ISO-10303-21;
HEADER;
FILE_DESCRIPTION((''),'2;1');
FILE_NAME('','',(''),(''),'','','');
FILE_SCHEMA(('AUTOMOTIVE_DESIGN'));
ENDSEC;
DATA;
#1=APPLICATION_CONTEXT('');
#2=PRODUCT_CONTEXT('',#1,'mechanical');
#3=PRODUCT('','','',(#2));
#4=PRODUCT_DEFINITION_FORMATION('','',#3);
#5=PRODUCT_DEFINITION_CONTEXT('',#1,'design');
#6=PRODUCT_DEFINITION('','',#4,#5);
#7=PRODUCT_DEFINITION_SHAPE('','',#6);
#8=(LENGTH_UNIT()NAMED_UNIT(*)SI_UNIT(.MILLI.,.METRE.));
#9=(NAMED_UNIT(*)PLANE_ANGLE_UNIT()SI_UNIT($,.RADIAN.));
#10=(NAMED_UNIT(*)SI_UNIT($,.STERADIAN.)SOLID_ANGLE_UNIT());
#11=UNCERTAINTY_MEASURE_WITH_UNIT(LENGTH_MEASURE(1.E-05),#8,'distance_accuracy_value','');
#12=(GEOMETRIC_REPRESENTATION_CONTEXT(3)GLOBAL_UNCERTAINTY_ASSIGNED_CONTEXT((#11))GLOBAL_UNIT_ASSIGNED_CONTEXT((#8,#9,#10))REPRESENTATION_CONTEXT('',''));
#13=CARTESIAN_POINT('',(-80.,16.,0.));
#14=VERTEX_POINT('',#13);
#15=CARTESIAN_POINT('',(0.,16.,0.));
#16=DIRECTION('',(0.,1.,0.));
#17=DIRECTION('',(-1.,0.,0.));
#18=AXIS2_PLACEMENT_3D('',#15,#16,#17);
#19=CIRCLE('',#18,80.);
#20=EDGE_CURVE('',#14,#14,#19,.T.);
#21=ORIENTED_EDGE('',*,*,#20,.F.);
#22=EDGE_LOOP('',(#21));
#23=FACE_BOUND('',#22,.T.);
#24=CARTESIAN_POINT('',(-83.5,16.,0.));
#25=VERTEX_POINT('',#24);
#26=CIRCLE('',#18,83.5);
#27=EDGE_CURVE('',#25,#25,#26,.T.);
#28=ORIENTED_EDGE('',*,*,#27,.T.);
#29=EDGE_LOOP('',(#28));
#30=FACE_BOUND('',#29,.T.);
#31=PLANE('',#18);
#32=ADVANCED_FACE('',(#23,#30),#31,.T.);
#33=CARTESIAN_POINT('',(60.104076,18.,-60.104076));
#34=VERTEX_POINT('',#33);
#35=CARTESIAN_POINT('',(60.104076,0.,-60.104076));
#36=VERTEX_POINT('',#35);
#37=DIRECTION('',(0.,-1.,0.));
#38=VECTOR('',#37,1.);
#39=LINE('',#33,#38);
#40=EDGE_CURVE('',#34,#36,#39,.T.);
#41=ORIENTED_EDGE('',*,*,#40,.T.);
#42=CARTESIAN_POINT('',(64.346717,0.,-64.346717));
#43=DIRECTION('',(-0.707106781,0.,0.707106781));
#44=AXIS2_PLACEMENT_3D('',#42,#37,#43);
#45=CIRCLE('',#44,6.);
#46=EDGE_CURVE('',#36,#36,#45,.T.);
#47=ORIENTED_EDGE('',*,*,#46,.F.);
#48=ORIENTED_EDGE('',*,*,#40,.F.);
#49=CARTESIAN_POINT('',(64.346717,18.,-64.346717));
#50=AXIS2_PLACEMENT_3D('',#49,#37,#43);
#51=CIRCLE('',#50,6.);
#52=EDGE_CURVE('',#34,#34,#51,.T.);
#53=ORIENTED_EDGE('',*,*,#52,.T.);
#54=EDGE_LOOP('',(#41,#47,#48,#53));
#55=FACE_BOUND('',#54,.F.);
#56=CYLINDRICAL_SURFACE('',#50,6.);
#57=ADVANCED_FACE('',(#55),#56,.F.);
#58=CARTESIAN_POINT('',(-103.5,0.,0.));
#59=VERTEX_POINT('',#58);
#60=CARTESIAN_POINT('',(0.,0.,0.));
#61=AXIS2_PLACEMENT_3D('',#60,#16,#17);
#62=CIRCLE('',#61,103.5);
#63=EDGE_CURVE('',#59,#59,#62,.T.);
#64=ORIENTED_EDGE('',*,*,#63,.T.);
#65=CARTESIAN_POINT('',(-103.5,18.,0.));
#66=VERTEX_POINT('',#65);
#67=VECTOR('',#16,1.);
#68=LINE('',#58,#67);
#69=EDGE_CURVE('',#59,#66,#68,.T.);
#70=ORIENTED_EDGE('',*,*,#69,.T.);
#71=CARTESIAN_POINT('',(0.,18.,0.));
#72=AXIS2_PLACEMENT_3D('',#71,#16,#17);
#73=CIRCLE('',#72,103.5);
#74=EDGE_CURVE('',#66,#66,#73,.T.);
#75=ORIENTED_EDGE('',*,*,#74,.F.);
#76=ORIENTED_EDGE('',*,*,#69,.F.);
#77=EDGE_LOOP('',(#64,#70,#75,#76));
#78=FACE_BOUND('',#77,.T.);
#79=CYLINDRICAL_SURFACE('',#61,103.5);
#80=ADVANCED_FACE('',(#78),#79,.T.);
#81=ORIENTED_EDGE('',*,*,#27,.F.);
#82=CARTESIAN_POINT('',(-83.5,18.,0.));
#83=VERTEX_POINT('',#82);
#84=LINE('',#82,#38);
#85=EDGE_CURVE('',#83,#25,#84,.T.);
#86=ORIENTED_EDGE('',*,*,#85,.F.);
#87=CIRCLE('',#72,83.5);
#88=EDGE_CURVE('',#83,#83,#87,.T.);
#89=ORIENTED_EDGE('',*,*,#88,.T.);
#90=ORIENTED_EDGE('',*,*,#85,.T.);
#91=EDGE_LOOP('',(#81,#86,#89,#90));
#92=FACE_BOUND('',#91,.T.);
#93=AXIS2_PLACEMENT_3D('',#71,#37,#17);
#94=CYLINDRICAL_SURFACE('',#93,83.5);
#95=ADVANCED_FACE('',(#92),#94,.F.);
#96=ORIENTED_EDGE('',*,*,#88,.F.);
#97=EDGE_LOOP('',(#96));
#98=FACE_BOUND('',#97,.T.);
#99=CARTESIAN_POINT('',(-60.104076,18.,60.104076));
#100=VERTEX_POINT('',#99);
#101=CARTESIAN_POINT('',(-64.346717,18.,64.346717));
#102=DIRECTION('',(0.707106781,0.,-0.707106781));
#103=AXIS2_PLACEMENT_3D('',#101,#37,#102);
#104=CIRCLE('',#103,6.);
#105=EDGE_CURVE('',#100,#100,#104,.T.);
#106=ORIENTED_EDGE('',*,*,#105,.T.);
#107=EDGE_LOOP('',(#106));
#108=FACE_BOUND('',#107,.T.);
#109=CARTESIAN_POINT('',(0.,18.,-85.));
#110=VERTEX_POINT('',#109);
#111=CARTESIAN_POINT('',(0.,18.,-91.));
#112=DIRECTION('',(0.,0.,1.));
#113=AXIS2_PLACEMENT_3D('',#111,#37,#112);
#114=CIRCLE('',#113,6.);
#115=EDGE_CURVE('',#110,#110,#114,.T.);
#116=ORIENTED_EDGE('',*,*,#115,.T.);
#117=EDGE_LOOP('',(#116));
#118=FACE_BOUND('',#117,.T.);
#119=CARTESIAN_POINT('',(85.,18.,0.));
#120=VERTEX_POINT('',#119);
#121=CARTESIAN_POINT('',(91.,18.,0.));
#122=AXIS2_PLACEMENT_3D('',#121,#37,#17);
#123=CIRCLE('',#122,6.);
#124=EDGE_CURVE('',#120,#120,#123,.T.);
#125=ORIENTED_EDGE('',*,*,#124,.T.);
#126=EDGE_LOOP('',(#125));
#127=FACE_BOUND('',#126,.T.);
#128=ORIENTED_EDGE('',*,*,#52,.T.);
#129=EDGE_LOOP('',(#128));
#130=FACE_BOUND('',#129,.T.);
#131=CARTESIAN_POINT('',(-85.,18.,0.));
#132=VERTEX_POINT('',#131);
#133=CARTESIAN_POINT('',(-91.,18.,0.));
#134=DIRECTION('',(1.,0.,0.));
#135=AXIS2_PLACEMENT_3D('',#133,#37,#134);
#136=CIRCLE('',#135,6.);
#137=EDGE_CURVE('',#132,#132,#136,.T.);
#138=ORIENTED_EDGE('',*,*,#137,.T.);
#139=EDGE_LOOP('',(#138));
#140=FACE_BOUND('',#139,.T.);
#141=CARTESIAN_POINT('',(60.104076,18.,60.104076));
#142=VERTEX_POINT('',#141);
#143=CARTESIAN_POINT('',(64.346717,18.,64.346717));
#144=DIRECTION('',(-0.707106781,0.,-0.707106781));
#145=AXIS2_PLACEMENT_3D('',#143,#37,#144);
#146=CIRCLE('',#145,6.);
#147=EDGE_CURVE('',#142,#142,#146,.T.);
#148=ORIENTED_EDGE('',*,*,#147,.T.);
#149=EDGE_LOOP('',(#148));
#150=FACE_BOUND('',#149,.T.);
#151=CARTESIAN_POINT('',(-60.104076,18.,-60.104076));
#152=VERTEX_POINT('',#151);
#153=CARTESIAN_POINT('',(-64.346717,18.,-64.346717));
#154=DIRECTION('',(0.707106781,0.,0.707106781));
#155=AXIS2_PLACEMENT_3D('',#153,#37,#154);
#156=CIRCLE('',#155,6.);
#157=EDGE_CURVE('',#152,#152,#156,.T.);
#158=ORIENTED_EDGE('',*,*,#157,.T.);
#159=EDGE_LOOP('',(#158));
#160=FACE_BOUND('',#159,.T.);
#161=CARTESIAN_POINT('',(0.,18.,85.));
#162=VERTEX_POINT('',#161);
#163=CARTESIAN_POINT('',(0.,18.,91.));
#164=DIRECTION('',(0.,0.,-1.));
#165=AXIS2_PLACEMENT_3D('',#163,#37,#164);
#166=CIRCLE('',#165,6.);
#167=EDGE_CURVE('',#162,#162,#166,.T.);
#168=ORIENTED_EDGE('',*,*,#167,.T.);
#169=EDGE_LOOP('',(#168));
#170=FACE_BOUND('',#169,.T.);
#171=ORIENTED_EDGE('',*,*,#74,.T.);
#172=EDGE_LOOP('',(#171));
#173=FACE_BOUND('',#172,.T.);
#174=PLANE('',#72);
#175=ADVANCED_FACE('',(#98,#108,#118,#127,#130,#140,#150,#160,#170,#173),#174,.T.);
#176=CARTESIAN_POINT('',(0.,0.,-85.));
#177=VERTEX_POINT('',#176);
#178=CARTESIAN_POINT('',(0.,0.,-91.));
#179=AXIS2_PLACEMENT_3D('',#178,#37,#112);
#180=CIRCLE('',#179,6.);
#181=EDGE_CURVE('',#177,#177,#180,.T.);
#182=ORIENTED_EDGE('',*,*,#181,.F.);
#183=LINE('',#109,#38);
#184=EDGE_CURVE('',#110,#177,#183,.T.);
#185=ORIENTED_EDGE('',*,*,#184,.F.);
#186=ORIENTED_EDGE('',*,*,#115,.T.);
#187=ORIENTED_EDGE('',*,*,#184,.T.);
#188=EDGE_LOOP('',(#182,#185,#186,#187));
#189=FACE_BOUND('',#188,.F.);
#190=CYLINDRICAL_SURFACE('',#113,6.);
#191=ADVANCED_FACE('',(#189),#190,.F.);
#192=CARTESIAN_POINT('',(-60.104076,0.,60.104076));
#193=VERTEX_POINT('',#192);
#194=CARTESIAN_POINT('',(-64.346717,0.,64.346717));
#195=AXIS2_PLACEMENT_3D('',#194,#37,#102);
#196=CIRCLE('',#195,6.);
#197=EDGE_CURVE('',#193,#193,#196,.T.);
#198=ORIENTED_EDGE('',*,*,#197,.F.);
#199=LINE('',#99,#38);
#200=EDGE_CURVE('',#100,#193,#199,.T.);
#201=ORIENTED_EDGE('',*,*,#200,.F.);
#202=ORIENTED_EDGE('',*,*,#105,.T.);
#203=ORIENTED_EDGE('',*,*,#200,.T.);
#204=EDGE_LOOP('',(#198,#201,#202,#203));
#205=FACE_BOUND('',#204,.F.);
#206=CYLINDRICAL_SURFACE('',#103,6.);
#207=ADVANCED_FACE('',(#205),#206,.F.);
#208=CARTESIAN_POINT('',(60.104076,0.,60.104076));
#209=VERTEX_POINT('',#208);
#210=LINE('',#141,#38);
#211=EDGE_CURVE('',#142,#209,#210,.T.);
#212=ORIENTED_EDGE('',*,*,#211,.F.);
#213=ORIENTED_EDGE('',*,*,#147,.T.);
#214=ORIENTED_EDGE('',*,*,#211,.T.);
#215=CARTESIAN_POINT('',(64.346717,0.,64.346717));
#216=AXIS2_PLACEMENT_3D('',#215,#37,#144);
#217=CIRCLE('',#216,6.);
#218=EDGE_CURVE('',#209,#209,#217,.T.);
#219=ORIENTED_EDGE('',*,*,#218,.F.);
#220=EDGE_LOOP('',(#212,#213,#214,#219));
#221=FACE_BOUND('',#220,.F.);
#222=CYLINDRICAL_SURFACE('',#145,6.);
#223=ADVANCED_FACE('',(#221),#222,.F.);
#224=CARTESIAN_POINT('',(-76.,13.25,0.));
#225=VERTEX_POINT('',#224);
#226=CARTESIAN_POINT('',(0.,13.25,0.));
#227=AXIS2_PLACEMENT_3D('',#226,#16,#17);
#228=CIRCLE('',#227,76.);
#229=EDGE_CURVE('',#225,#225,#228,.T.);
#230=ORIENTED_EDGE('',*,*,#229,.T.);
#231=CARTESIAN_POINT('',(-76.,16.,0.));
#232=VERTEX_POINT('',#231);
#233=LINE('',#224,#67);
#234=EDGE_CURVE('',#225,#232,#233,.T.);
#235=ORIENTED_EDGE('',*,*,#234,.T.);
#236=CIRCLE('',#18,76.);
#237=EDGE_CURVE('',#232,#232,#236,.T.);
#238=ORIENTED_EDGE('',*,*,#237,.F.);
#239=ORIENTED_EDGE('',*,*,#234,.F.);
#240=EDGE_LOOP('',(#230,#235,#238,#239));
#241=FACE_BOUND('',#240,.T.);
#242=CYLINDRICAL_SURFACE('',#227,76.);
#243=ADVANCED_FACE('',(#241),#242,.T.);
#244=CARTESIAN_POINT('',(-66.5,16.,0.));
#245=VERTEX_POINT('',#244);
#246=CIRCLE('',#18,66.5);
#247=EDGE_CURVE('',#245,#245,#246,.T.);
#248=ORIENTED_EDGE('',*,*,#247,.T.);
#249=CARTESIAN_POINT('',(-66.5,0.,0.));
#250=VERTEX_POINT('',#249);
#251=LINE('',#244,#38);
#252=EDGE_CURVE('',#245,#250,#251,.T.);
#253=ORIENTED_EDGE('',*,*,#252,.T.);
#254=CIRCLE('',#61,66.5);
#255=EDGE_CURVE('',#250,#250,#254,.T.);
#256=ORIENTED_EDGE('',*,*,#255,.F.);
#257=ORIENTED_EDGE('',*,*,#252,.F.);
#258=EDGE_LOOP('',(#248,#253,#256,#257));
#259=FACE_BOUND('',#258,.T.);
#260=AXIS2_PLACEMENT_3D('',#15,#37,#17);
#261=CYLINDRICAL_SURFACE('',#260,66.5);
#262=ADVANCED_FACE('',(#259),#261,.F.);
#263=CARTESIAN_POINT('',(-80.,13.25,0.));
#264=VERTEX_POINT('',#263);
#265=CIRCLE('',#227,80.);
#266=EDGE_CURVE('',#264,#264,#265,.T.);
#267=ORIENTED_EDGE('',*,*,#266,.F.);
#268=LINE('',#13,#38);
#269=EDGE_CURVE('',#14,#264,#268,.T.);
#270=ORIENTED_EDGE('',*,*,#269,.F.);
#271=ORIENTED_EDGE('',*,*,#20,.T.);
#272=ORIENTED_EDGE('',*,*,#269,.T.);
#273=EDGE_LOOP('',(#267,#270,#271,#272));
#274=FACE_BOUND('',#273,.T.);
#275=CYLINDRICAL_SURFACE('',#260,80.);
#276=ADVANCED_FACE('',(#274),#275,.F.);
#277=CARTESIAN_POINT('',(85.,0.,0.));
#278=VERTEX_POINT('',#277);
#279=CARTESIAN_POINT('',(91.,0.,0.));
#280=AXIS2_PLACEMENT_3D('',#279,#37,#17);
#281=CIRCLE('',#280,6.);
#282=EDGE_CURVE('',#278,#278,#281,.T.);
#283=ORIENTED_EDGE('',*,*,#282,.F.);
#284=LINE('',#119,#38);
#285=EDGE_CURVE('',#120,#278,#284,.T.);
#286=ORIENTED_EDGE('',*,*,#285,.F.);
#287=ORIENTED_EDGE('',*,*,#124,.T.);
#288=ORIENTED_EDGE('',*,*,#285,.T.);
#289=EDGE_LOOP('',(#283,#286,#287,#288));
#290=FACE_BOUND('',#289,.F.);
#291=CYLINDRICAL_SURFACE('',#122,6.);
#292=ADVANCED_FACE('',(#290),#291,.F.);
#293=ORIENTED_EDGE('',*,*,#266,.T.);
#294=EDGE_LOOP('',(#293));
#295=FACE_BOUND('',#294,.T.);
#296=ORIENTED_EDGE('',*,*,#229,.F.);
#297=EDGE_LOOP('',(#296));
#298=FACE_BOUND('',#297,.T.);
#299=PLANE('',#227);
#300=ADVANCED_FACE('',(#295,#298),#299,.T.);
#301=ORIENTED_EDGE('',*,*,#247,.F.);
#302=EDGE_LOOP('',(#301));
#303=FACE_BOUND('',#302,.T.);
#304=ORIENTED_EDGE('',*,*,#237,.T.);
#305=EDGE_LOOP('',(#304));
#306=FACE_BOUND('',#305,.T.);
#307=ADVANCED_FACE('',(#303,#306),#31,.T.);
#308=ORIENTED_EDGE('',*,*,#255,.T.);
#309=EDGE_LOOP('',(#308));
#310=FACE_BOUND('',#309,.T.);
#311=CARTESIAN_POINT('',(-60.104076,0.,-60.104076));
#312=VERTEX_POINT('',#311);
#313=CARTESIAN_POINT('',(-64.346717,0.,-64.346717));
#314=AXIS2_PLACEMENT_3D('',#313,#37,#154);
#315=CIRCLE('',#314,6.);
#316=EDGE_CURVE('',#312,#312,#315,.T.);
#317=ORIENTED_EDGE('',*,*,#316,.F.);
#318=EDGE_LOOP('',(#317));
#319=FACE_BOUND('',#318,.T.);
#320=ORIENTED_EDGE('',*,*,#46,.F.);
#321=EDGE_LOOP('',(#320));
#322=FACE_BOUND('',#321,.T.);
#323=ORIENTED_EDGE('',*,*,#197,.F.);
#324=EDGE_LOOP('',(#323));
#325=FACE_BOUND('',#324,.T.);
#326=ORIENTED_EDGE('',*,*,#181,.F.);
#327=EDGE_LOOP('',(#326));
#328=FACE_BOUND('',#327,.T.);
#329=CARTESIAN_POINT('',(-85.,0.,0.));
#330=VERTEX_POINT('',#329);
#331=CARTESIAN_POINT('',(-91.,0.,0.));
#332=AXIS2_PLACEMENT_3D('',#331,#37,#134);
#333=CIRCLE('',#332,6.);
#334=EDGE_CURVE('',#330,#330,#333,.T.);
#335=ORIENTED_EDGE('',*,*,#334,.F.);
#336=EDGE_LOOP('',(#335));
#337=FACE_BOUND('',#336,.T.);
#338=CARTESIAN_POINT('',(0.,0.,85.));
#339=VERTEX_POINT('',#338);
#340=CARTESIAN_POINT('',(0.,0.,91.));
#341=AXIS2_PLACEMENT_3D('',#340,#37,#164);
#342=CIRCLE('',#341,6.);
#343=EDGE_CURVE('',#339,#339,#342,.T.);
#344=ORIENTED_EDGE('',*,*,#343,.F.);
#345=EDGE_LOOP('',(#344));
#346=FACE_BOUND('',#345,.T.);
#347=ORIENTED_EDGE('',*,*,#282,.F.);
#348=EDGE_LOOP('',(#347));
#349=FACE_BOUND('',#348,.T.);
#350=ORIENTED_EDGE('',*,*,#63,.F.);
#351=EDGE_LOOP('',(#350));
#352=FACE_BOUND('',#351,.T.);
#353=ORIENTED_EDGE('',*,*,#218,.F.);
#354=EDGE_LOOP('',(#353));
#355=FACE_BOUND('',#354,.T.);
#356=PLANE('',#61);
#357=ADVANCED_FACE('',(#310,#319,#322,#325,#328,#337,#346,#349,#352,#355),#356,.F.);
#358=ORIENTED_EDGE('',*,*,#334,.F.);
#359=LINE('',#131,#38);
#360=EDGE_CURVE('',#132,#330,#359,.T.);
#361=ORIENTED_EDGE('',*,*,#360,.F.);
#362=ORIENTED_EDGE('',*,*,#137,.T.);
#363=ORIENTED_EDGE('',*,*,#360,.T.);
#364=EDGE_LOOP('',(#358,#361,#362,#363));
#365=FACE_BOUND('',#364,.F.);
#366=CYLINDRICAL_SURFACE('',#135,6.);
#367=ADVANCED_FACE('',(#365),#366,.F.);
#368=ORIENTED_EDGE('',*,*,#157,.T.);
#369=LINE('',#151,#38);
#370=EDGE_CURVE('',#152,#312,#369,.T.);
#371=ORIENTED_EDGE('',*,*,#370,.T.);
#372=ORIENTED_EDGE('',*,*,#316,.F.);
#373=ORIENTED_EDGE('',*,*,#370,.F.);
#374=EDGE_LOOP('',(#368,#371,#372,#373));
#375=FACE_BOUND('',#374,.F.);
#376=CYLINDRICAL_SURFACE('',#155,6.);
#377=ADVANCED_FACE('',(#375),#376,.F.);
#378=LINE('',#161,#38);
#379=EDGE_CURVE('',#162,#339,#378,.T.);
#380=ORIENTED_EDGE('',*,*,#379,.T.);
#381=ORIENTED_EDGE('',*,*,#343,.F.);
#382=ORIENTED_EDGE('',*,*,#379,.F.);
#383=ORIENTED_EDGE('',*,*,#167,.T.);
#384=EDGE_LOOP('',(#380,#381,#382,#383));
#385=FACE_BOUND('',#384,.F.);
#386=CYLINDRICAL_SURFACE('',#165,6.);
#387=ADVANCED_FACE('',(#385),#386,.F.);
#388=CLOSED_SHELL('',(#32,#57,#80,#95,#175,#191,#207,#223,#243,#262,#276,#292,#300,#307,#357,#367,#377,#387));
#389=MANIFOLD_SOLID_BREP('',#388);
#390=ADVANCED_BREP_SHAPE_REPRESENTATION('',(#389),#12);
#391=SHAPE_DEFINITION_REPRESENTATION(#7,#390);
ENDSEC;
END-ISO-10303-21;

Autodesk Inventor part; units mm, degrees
ref_plane "YZ Plane" through (0, 0, 0) normal (1, 0, 0) x (0, 1, 0)
ref_plane "XZ Plane" through (0, 0, 0) normal (0, 1, 0) x (-1, 0, 0)
ref_plane "XY Plane" through (0, 0, 0) normal (0, 0, 1) x (1, 0, 0)
sketch "Sketch1" plane through (0, 0, 0) normal (0, 0, 1) x (1, 0, 0)
  line L0 (-103.5, 0) -> (-103.5, 18)
  line L1 (-103.5, 18) -> (-83.5, 18)
  line L2 (-83.5, 18) -> (-83.5, 16)
  line L3 (-83.5, 16) -> (-80, 16)
  line L4 (-80, 16) -> (-80, 13.25)
  line L5 (-80, 13.25) -> (-76, 13.25)
  line L6 (-76, 13.25) -> (-76, 16)
  line L7 (-76, 16) -> (-66.5, 16)
  line L8 (-66.5, 16) -> (-66.5, 0)
  line L9 (-66.5, 0) -> (-103.5, 0)
  line L10 (0, -3.6) -> (0, 21.6) projected
  point P0 (0, 0)
  dimension "d0" = 103.5
  dimension "d1" = 20
  dimension "d2" = 4
  dimension "d3" = 76
  dimension "d4" = 66.5
  dimension "d5" = 18
  dimension "d6" = 2
  dimension "d7" = 2.75
revolve "Revolution1" add sketch "Sketch1" angle 360 about axis through (0, -10, 0) along (0, 1, 0)
sketch "Sketch2" plane through (0, 18, 0) normal (0, 1, 0) x (1, 0, 0)
  circle A0 centre (0, 0) radius 103.5 projected
  point P0 (0, 91)
  dimension "d9" = 91
hole "Hole1" at (0, 18, -91) direction (0, -1, 0) diameter 12 end through all
pattern_circular "Circular Pattern1" count 8 over 360 about axis through (0, 8, 0) along (0, 1, 0) of "Hole1"
properties part number "CollarRingTop" material "Stainless Steel"
